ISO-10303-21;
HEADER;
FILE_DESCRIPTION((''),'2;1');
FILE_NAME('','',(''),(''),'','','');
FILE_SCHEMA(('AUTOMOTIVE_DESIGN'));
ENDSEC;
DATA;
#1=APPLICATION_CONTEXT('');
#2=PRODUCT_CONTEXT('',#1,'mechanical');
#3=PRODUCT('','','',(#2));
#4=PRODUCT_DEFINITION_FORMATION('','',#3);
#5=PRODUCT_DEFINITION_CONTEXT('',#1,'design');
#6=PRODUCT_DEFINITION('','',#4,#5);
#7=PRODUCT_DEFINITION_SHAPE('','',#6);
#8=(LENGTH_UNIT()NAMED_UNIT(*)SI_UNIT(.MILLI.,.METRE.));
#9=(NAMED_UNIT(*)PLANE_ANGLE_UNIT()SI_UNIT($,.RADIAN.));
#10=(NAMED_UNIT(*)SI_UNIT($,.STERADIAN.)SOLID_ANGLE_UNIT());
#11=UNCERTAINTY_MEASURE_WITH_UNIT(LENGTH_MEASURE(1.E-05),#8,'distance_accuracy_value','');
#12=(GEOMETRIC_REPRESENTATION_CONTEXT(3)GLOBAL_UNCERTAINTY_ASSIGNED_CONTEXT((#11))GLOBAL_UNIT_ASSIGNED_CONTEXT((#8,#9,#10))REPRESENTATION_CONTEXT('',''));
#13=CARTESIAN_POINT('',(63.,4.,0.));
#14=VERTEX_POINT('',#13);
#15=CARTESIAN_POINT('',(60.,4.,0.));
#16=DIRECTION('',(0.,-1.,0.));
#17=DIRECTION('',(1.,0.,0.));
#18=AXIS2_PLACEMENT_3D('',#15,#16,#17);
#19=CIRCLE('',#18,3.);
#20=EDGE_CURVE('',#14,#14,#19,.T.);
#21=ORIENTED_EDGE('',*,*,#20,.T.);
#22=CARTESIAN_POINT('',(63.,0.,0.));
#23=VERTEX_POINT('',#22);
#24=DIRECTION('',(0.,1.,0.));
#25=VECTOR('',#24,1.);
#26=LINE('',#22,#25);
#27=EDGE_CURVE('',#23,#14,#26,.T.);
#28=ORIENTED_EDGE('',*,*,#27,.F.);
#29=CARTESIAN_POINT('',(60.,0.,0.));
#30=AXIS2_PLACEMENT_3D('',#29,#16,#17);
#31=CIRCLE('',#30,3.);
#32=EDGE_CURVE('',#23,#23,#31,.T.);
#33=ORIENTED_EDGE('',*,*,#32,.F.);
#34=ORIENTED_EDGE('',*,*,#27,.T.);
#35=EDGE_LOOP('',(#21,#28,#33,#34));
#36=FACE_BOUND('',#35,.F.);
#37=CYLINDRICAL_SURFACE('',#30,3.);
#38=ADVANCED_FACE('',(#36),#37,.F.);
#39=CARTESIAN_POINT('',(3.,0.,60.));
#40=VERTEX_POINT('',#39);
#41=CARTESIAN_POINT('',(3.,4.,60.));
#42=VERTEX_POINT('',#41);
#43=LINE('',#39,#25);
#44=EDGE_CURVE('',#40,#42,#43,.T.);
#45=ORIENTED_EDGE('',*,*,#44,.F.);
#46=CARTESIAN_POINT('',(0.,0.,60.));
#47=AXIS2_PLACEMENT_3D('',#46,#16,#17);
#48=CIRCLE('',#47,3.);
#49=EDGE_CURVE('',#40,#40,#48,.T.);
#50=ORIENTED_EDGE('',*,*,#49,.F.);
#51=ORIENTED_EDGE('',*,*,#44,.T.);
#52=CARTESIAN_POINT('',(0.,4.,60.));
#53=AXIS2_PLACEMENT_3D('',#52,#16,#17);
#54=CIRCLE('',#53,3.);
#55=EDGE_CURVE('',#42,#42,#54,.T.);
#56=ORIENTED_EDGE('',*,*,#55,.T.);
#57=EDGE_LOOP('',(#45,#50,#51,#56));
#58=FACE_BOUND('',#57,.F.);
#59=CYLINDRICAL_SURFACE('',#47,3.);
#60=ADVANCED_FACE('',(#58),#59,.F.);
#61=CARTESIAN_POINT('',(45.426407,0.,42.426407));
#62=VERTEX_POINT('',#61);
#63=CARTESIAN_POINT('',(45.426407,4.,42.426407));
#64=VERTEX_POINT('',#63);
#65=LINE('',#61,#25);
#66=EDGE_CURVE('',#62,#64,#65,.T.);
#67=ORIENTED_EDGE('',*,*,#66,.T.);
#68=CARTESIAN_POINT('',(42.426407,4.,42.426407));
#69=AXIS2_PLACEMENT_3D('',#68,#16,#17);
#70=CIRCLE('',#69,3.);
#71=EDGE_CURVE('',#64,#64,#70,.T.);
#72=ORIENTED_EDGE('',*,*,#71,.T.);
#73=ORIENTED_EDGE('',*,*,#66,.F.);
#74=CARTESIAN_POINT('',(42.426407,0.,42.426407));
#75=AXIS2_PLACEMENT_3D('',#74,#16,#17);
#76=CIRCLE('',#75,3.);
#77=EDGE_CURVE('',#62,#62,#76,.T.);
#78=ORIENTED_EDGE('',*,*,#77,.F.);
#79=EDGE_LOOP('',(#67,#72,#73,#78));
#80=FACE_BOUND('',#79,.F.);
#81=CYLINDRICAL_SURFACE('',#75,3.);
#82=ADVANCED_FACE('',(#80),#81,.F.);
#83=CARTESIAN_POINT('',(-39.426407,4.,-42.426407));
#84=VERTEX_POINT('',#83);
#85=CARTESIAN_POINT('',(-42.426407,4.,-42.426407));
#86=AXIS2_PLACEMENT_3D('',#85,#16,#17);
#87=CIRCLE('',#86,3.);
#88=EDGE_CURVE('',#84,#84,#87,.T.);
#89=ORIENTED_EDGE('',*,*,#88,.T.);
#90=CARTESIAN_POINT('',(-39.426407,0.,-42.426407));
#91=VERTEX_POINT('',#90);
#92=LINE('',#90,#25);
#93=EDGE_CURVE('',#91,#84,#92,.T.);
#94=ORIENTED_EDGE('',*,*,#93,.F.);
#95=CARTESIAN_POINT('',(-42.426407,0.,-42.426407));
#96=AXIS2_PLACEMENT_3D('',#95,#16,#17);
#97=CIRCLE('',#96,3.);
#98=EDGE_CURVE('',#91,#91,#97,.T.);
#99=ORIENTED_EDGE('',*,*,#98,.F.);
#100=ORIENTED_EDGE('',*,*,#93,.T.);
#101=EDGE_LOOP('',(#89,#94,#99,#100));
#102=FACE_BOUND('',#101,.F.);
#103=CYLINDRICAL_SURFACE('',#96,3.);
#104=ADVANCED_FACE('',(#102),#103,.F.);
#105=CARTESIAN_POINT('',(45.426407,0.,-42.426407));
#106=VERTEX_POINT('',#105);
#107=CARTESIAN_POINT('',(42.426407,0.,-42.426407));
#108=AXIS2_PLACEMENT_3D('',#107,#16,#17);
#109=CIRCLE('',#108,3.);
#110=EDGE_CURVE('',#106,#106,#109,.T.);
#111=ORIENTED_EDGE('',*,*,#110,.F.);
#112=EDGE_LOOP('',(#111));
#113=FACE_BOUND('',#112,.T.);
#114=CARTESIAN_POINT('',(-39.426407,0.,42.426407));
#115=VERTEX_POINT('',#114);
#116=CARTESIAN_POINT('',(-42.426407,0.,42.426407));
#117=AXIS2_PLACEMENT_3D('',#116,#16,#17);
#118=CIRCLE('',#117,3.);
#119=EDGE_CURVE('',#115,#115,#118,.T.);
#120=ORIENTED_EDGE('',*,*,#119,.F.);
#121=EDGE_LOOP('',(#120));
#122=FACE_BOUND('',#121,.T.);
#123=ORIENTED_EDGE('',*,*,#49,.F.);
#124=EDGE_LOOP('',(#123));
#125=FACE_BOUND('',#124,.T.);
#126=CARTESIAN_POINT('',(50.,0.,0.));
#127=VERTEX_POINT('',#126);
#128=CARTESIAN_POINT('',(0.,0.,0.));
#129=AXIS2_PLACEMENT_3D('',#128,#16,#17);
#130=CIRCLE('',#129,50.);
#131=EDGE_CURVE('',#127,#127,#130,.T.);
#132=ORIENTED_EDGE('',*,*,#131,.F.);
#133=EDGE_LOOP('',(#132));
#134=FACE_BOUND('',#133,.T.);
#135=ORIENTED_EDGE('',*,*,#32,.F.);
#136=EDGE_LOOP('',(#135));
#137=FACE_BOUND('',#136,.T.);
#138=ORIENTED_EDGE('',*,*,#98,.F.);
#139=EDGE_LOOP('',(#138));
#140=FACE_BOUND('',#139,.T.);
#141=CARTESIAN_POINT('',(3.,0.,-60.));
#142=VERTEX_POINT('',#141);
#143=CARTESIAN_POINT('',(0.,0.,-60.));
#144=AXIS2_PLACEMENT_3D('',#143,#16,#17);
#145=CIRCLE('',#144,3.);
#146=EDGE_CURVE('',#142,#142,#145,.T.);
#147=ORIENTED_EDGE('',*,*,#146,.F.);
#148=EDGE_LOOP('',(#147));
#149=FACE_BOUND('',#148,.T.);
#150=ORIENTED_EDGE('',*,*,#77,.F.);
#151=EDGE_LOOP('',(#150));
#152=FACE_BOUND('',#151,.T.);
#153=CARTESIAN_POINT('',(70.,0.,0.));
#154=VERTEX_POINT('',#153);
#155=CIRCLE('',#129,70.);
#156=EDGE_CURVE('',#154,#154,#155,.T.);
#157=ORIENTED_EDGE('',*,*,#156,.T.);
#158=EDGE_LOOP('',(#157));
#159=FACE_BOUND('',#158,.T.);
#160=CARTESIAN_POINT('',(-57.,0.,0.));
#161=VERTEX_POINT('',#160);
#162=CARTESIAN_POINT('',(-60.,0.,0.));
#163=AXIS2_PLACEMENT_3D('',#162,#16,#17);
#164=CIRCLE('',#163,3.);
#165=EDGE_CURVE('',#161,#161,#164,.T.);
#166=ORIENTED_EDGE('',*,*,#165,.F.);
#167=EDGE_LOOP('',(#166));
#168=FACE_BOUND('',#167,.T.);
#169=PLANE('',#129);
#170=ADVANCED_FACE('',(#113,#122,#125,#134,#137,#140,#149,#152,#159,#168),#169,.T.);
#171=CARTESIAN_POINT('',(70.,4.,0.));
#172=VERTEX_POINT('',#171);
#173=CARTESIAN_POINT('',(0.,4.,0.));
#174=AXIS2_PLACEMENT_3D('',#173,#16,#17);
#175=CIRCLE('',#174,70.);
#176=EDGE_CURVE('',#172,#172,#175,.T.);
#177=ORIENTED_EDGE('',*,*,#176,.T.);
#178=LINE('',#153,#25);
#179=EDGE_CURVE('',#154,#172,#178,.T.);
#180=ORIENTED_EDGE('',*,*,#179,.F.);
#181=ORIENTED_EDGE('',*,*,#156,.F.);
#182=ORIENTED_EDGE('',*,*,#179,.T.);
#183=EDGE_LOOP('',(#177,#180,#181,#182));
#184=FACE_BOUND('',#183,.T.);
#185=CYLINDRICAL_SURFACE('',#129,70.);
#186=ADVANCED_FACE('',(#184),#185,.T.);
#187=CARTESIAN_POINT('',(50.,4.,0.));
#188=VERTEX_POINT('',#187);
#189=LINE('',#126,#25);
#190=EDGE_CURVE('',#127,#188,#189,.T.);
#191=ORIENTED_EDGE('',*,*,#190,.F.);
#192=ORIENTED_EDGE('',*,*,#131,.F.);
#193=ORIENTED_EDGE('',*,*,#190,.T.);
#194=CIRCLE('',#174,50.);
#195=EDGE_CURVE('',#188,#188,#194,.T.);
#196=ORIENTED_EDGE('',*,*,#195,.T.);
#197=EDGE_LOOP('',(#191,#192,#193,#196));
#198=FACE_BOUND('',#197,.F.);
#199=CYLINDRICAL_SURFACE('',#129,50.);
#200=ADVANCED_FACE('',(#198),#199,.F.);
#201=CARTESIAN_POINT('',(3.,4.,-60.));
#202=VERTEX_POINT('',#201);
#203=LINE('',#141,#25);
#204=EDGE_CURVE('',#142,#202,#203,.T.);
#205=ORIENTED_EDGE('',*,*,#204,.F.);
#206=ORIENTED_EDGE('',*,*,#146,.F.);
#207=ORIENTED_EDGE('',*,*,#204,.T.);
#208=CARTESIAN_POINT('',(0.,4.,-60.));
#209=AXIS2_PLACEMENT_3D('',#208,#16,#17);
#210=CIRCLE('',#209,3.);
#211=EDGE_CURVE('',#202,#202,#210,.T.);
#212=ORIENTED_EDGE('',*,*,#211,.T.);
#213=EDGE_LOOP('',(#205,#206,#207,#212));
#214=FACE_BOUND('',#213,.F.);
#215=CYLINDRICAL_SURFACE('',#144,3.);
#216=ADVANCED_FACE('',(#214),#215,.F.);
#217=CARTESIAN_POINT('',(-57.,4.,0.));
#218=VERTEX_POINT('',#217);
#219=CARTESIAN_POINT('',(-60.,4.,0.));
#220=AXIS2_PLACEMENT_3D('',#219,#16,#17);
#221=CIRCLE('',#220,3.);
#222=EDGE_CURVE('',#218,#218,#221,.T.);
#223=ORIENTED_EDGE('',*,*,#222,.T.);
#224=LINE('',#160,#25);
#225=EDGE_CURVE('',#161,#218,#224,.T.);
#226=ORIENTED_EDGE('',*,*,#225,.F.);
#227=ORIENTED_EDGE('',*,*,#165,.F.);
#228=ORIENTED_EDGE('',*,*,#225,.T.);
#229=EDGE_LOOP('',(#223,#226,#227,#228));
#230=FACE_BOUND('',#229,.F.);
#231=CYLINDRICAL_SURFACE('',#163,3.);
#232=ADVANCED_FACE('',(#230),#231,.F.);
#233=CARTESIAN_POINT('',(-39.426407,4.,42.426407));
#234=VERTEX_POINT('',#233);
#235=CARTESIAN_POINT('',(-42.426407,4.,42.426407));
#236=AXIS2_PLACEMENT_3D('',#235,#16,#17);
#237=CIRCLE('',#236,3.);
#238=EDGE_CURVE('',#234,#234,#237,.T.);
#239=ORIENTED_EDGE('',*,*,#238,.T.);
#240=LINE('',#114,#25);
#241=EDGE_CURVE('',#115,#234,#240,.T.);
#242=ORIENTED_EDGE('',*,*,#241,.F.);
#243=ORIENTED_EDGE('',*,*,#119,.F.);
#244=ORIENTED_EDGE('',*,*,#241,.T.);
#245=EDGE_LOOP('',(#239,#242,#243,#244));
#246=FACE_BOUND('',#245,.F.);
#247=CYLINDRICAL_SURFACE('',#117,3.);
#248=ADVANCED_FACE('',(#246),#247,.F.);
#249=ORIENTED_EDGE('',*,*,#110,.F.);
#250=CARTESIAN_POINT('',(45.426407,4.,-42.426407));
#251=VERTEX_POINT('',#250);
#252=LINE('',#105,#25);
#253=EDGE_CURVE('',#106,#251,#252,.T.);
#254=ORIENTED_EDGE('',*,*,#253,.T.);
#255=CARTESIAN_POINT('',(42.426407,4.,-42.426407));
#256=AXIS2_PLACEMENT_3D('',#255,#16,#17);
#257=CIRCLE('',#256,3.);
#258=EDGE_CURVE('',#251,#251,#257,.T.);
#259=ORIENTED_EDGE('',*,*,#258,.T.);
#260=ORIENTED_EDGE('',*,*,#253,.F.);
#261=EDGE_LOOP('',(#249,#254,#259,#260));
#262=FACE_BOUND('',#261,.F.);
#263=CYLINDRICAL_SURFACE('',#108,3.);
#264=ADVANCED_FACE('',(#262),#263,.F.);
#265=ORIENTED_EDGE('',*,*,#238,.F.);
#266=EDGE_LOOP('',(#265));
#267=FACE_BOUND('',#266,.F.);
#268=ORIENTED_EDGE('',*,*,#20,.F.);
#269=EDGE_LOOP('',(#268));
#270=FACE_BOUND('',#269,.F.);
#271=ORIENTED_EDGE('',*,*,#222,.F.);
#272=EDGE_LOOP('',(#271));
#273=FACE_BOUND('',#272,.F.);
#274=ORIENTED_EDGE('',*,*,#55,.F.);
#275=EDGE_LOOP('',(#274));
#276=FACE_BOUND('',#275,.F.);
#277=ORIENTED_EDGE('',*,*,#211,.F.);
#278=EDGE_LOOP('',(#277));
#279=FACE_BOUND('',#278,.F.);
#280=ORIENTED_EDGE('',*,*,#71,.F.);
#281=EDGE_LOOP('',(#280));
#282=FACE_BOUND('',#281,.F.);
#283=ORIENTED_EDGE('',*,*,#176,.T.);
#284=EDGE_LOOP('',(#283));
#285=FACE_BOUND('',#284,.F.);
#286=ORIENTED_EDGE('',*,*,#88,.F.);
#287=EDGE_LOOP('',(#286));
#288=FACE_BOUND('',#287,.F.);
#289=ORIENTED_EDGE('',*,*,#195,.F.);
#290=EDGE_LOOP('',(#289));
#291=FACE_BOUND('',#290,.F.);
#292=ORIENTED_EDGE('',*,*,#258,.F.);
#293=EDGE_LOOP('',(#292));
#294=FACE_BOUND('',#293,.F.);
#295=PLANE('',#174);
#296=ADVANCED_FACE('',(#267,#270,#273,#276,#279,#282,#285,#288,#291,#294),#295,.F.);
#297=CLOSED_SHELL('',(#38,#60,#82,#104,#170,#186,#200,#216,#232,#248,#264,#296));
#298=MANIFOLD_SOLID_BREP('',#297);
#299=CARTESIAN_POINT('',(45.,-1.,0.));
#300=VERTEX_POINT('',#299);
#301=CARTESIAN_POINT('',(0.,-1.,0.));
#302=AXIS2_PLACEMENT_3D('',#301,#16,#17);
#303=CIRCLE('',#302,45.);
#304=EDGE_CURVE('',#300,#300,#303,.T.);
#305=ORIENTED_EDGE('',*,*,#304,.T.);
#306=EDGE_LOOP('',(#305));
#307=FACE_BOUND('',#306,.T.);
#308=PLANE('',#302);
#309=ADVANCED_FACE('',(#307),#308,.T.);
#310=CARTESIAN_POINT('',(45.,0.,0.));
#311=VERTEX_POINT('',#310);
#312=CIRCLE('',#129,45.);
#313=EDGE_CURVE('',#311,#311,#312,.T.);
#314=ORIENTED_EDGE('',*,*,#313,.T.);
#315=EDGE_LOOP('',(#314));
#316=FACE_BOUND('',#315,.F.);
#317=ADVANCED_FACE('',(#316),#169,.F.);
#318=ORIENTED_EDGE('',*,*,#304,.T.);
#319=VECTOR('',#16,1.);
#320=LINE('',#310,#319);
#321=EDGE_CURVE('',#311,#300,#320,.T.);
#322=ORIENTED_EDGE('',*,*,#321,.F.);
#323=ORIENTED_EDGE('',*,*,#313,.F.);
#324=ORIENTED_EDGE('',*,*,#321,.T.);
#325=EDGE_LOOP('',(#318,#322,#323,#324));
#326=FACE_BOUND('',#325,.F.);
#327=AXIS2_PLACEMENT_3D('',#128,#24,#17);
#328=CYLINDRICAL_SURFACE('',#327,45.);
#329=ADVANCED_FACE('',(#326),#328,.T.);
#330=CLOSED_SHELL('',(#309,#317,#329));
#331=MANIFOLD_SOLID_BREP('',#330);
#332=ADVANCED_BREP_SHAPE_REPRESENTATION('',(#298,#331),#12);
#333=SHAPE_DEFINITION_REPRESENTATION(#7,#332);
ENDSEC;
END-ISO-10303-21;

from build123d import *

# Parameters (mm, degrees)
F0_R     = 70
F0_R_2   = 5.5
F0_R_3   = 50
F0_R_4   = 3
F1_DEPTH = 4
F2_R     = 45
F3_DEPTH = 1


with BuildPart() as f1:
    # F0 (on Front) → F1 (new body)
    with BuildSketch(Plane.XZ):
        Circle(F0_R)
        with Locations((-42.426407, -42.426407)):
            Circle(F0_R_2, mode=Mode.SUBTRACT)
        with Locations((0, -60)):
            Circle(F0_R_2, mode=Mode.SUBTRACT)
        with Locations((42.426407, -42.426407)):
            Circle(F0_R_2, mode=Mode.SUBTRACT)
        with Locations((-60, 0)):
            Circle(F0_R_2, mode=Mode.SUBTRACT)
        with Locations((-42.426407, 42.426407)):
            Circle(F0_R_2, mode=Mode.SUBTRACT)
        Circle(F0_R_3, mode=Mode.SUBTRACT)
        with Locations((60, 0)):
            Circle(F0_R_2, mode=Mode.SUBTRACT)
        with Locations((0, 60)):
            Circle(F0_R_2, mode=Mode.SUBTRACT)
        with Locations((42.426407, 42.426407)):
            Circle(F0_R_2, mode=Mode.SUBTRACT)
        with Locations((-42.426407, 42.426407)):
            Circle(F0_R_2)
        with Locations((-42.426407, 42.426407)):
            Circle(F0_R_4, mode=Mode.SUBTRACT)
        with Locations((-60, 0)):
            Circle(F0_R_2)
        with Locations((-60, 0)):
            Circle(F0_R_4, mode=Mode.SUBTRACT)
        with Locations((0, 60)):
            Circle(F0_R_2)
        with Locations((0, 60)):
            Circle(F0_R_4, mode=Mode.SUBTRACT)
        with Locations((42.426407, 42.426407)):
            Circle(F0_R_2)
        with Locations((42.426407, 42.426407)):
            Circle(F0_R_4, mode=Mode.SUBTRACT)
        with Locations((60, 0)):
            Circle(F0_R_2)
        with Locations((60, 0)):
            Circle(F0_R_4, mode=Mode.SUBTRACT)
        with Locations((42.426407, -42.426407)):
            Circle(F0_R_2)
        with Locations((42.426407, -42.426407)):
            Circle(F0_R_4, mode=Mode.SUBTRACT)
        with Locations((0, -60)):
            Circle(F0_R_2)
        with Locations((0, -60)):
            Circle(F0_R_4, mode=Mode.SUBTRACT)
        with Locations((-42.426407, -42.426407)):
            Circle(F0_R_2)
        with Locations((-42.426407, -42.426407)):
            Circle(F0_R_4, mode=Mode.SUBTRACT)
    extrude(amount=-F1_DEPTH)


with BuildPart() as f3:
    # F2 (on Front) → F3 (new body)
    with BuildSketch(Plane.XZ):
        Circle(F2_R)
    extrude(amount=F3_DEPTH)


solid = Compound([f1.part, f3.part])
